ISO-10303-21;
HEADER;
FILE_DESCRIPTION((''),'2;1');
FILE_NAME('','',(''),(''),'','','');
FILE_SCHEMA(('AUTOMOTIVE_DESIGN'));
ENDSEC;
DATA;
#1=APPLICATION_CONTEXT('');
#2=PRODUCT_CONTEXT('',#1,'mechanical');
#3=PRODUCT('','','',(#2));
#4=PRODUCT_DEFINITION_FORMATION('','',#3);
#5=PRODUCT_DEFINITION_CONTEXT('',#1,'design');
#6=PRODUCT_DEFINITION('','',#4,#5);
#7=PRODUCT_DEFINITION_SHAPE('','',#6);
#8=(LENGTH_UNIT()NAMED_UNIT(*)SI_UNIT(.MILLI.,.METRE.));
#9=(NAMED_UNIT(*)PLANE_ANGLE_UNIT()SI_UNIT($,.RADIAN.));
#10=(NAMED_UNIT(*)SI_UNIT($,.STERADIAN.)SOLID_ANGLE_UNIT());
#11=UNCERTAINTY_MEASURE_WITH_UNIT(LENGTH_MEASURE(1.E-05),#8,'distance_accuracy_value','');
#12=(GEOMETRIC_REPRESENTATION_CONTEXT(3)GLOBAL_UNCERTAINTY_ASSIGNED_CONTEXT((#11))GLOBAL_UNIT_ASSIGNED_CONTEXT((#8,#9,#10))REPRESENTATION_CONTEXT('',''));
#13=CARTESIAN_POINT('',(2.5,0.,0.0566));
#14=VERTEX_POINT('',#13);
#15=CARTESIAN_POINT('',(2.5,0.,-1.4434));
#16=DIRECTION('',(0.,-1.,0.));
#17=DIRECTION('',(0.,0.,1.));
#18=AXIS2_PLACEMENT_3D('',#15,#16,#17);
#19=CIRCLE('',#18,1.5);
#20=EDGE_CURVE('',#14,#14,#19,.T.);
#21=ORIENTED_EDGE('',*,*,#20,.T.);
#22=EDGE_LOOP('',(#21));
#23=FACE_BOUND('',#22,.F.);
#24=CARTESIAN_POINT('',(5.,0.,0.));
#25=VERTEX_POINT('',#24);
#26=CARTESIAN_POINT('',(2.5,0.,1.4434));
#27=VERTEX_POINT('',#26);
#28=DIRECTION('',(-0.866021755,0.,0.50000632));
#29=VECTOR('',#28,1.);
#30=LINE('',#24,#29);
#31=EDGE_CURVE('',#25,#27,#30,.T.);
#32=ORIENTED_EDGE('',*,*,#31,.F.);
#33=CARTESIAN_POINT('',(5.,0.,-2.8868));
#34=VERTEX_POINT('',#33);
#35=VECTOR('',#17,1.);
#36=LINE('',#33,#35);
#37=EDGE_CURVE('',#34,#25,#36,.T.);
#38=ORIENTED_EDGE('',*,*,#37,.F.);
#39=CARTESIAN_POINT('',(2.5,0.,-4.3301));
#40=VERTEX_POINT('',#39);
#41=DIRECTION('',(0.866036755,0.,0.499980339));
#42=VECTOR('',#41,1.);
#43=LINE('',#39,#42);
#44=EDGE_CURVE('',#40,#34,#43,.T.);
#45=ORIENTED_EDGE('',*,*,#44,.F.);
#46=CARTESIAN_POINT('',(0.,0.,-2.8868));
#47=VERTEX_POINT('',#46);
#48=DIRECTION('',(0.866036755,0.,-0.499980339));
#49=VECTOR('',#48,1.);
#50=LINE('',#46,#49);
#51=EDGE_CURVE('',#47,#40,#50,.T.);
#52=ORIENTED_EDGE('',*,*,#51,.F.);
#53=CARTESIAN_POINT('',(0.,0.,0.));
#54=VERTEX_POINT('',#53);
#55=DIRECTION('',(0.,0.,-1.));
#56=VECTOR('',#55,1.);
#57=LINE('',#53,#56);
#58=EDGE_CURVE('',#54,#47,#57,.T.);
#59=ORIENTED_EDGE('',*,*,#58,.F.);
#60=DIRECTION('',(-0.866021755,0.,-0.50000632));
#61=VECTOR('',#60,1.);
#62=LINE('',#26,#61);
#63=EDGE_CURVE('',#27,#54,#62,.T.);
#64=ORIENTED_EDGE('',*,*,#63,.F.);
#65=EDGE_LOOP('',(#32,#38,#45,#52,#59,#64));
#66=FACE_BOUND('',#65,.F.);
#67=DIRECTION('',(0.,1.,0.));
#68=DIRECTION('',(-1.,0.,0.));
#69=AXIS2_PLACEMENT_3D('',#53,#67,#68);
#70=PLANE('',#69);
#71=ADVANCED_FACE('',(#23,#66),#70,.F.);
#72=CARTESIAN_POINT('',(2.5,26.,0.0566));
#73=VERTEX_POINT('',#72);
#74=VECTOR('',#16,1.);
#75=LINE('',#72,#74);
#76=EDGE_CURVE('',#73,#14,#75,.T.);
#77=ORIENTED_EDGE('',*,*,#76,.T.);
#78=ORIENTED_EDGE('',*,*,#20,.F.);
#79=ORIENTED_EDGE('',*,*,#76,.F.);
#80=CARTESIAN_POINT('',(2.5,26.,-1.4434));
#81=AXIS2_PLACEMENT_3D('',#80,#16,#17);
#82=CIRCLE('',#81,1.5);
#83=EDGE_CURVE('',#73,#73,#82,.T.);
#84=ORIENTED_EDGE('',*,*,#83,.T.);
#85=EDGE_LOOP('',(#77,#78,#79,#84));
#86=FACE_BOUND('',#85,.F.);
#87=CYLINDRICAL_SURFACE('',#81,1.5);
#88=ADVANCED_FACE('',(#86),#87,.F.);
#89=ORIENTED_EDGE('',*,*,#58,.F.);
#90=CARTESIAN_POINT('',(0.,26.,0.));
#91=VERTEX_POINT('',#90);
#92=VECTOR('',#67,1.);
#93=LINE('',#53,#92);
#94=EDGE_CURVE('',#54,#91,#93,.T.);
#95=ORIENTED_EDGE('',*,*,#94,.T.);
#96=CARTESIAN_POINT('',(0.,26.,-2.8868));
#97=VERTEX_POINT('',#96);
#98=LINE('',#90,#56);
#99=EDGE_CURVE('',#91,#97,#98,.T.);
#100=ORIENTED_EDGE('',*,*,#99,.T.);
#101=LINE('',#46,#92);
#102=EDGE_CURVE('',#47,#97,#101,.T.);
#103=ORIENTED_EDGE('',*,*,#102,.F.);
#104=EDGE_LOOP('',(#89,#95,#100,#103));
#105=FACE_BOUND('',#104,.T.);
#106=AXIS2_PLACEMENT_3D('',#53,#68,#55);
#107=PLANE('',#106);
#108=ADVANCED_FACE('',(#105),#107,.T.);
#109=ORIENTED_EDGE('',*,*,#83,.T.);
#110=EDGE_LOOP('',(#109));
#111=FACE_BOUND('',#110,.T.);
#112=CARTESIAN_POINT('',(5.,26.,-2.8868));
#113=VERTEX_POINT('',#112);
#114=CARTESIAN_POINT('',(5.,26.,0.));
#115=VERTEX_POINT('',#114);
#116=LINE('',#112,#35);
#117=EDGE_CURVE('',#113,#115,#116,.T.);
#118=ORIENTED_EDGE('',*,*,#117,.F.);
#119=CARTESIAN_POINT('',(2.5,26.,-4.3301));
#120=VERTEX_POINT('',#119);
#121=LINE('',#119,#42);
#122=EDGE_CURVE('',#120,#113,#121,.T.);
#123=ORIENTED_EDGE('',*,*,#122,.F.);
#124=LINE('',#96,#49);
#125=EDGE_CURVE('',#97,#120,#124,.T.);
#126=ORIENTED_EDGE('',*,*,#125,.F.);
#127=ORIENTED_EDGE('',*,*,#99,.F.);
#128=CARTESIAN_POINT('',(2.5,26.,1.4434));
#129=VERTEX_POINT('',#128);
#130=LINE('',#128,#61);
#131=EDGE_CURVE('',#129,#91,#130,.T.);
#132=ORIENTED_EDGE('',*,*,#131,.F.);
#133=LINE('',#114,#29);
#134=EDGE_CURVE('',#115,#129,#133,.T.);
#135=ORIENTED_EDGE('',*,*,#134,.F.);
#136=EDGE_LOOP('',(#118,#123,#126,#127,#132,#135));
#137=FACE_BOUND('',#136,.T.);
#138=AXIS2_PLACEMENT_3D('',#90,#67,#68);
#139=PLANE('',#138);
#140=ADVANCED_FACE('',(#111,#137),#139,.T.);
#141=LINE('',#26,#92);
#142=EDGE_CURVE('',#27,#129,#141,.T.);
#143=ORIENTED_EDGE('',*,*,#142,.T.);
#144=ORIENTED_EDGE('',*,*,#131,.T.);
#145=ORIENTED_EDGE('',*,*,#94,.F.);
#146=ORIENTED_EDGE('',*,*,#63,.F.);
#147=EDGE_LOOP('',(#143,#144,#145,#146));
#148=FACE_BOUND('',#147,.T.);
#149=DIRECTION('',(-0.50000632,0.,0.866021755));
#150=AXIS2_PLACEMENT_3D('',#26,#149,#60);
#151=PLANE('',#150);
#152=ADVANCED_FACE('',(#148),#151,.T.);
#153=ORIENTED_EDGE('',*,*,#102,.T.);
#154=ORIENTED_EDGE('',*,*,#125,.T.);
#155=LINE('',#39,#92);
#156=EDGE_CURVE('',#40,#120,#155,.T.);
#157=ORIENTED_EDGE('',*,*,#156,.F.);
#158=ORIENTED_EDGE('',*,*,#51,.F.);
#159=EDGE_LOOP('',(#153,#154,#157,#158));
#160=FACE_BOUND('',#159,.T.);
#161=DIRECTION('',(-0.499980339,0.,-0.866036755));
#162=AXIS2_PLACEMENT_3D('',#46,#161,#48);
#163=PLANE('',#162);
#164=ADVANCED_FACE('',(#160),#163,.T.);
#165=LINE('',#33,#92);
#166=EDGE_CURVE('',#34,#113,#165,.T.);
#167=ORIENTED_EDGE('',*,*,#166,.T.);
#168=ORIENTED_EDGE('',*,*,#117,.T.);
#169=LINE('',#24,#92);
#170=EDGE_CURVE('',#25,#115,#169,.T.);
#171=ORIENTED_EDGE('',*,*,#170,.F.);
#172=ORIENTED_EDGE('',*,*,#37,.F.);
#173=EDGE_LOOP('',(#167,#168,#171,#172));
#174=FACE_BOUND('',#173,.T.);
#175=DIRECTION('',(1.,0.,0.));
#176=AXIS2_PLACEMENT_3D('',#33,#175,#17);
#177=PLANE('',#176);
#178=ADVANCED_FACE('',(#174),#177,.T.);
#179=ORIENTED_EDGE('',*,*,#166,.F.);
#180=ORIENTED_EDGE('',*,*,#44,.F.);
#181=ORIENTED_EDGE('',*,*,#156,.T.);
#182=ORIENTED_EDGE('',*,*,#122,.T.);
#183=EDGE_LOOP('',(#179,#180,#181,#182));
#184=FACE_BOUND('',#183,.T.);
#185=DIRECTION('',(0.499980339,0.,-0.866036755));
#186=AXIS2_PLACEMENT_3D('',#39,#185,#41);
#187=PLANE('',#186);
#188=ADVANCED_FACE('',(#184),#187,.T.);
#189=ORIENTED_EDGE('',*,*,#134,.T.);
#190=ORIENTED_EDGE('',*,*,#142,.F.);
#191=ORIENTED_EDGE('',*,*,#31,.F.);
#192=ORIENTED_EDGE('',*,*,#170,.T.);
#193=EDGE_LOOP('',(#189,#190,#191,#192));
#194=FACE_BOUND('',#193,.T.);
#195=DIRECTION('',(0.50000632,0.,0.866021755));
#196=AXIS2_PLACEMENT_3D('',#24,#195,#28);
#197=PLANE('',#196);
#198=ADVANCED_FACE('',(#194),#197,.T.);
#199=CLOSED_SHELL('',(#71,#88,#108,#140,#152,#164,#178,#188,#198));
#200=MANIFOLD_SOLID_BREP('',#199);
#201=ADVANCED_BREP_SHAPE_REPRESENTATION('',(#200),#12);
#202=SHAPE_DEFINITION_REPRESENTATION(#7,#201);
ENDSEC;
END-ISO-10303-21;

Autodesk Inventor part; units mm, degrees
ref_plane "YZ Plane" through (0, 0, 0) normal (1, 0, 0) x (0, 1, 0)
ref_plane "XY Plane" through (0, 0, 0) normal (0, 0, 1) x (1, 0, 0)
sketch "Skizze1" plane through (0, 0, 0) normal (0, 1, 0) x (-1, 0, 0)
  line L0 (0, 0) -> (0, -2.8868)
  line L1 (0, -2.8868) -> (-2.5, -4.3301)
  line L2 (-2.5, -4.3301) -> (-5, -2.8868)
  line L3 (-5, -2.8868) -> (-5, 0)
  line L4 (-5, 0) -> (-2.5, 1.4434)
  line L5 (-2.5, 1.4434) -> (0, 0)
  dimension "d2" = 120
  dimension "d4" = 120
  dimension "d6" = 120
  dimension "d8" = 120
  dimension "d11" = 5
  dimension "d12" = 5
  dimension "d13" = 5
extrude "Extrusion1" add sketch "Skizze1" along normal blind 26
sketch "Skizze2" plane through (0, 26, 0) normal (0, 1, 0) x (1, 0, 0)
  line L0 (0, 2.8868) -> (0, 0) projected
  line L1 (5, 0) -> (5, 2.8868) projected
  line L2 (0, 0) -> (5, 2.8868) construction
  line L3 (0, 2.8868) -> (5, 0) construction
  point P0 (2.5, 1.4434)
hole "Bohrung1" at (2.5, 26, -1.4434) direction (0, -1, 0) diameter 3 end through all
thread "Gewinde1" size "M3x0.5" class "6H" standard "ANSI Metric M Profile" full length
properties part number "abstandshalter_26mm"
